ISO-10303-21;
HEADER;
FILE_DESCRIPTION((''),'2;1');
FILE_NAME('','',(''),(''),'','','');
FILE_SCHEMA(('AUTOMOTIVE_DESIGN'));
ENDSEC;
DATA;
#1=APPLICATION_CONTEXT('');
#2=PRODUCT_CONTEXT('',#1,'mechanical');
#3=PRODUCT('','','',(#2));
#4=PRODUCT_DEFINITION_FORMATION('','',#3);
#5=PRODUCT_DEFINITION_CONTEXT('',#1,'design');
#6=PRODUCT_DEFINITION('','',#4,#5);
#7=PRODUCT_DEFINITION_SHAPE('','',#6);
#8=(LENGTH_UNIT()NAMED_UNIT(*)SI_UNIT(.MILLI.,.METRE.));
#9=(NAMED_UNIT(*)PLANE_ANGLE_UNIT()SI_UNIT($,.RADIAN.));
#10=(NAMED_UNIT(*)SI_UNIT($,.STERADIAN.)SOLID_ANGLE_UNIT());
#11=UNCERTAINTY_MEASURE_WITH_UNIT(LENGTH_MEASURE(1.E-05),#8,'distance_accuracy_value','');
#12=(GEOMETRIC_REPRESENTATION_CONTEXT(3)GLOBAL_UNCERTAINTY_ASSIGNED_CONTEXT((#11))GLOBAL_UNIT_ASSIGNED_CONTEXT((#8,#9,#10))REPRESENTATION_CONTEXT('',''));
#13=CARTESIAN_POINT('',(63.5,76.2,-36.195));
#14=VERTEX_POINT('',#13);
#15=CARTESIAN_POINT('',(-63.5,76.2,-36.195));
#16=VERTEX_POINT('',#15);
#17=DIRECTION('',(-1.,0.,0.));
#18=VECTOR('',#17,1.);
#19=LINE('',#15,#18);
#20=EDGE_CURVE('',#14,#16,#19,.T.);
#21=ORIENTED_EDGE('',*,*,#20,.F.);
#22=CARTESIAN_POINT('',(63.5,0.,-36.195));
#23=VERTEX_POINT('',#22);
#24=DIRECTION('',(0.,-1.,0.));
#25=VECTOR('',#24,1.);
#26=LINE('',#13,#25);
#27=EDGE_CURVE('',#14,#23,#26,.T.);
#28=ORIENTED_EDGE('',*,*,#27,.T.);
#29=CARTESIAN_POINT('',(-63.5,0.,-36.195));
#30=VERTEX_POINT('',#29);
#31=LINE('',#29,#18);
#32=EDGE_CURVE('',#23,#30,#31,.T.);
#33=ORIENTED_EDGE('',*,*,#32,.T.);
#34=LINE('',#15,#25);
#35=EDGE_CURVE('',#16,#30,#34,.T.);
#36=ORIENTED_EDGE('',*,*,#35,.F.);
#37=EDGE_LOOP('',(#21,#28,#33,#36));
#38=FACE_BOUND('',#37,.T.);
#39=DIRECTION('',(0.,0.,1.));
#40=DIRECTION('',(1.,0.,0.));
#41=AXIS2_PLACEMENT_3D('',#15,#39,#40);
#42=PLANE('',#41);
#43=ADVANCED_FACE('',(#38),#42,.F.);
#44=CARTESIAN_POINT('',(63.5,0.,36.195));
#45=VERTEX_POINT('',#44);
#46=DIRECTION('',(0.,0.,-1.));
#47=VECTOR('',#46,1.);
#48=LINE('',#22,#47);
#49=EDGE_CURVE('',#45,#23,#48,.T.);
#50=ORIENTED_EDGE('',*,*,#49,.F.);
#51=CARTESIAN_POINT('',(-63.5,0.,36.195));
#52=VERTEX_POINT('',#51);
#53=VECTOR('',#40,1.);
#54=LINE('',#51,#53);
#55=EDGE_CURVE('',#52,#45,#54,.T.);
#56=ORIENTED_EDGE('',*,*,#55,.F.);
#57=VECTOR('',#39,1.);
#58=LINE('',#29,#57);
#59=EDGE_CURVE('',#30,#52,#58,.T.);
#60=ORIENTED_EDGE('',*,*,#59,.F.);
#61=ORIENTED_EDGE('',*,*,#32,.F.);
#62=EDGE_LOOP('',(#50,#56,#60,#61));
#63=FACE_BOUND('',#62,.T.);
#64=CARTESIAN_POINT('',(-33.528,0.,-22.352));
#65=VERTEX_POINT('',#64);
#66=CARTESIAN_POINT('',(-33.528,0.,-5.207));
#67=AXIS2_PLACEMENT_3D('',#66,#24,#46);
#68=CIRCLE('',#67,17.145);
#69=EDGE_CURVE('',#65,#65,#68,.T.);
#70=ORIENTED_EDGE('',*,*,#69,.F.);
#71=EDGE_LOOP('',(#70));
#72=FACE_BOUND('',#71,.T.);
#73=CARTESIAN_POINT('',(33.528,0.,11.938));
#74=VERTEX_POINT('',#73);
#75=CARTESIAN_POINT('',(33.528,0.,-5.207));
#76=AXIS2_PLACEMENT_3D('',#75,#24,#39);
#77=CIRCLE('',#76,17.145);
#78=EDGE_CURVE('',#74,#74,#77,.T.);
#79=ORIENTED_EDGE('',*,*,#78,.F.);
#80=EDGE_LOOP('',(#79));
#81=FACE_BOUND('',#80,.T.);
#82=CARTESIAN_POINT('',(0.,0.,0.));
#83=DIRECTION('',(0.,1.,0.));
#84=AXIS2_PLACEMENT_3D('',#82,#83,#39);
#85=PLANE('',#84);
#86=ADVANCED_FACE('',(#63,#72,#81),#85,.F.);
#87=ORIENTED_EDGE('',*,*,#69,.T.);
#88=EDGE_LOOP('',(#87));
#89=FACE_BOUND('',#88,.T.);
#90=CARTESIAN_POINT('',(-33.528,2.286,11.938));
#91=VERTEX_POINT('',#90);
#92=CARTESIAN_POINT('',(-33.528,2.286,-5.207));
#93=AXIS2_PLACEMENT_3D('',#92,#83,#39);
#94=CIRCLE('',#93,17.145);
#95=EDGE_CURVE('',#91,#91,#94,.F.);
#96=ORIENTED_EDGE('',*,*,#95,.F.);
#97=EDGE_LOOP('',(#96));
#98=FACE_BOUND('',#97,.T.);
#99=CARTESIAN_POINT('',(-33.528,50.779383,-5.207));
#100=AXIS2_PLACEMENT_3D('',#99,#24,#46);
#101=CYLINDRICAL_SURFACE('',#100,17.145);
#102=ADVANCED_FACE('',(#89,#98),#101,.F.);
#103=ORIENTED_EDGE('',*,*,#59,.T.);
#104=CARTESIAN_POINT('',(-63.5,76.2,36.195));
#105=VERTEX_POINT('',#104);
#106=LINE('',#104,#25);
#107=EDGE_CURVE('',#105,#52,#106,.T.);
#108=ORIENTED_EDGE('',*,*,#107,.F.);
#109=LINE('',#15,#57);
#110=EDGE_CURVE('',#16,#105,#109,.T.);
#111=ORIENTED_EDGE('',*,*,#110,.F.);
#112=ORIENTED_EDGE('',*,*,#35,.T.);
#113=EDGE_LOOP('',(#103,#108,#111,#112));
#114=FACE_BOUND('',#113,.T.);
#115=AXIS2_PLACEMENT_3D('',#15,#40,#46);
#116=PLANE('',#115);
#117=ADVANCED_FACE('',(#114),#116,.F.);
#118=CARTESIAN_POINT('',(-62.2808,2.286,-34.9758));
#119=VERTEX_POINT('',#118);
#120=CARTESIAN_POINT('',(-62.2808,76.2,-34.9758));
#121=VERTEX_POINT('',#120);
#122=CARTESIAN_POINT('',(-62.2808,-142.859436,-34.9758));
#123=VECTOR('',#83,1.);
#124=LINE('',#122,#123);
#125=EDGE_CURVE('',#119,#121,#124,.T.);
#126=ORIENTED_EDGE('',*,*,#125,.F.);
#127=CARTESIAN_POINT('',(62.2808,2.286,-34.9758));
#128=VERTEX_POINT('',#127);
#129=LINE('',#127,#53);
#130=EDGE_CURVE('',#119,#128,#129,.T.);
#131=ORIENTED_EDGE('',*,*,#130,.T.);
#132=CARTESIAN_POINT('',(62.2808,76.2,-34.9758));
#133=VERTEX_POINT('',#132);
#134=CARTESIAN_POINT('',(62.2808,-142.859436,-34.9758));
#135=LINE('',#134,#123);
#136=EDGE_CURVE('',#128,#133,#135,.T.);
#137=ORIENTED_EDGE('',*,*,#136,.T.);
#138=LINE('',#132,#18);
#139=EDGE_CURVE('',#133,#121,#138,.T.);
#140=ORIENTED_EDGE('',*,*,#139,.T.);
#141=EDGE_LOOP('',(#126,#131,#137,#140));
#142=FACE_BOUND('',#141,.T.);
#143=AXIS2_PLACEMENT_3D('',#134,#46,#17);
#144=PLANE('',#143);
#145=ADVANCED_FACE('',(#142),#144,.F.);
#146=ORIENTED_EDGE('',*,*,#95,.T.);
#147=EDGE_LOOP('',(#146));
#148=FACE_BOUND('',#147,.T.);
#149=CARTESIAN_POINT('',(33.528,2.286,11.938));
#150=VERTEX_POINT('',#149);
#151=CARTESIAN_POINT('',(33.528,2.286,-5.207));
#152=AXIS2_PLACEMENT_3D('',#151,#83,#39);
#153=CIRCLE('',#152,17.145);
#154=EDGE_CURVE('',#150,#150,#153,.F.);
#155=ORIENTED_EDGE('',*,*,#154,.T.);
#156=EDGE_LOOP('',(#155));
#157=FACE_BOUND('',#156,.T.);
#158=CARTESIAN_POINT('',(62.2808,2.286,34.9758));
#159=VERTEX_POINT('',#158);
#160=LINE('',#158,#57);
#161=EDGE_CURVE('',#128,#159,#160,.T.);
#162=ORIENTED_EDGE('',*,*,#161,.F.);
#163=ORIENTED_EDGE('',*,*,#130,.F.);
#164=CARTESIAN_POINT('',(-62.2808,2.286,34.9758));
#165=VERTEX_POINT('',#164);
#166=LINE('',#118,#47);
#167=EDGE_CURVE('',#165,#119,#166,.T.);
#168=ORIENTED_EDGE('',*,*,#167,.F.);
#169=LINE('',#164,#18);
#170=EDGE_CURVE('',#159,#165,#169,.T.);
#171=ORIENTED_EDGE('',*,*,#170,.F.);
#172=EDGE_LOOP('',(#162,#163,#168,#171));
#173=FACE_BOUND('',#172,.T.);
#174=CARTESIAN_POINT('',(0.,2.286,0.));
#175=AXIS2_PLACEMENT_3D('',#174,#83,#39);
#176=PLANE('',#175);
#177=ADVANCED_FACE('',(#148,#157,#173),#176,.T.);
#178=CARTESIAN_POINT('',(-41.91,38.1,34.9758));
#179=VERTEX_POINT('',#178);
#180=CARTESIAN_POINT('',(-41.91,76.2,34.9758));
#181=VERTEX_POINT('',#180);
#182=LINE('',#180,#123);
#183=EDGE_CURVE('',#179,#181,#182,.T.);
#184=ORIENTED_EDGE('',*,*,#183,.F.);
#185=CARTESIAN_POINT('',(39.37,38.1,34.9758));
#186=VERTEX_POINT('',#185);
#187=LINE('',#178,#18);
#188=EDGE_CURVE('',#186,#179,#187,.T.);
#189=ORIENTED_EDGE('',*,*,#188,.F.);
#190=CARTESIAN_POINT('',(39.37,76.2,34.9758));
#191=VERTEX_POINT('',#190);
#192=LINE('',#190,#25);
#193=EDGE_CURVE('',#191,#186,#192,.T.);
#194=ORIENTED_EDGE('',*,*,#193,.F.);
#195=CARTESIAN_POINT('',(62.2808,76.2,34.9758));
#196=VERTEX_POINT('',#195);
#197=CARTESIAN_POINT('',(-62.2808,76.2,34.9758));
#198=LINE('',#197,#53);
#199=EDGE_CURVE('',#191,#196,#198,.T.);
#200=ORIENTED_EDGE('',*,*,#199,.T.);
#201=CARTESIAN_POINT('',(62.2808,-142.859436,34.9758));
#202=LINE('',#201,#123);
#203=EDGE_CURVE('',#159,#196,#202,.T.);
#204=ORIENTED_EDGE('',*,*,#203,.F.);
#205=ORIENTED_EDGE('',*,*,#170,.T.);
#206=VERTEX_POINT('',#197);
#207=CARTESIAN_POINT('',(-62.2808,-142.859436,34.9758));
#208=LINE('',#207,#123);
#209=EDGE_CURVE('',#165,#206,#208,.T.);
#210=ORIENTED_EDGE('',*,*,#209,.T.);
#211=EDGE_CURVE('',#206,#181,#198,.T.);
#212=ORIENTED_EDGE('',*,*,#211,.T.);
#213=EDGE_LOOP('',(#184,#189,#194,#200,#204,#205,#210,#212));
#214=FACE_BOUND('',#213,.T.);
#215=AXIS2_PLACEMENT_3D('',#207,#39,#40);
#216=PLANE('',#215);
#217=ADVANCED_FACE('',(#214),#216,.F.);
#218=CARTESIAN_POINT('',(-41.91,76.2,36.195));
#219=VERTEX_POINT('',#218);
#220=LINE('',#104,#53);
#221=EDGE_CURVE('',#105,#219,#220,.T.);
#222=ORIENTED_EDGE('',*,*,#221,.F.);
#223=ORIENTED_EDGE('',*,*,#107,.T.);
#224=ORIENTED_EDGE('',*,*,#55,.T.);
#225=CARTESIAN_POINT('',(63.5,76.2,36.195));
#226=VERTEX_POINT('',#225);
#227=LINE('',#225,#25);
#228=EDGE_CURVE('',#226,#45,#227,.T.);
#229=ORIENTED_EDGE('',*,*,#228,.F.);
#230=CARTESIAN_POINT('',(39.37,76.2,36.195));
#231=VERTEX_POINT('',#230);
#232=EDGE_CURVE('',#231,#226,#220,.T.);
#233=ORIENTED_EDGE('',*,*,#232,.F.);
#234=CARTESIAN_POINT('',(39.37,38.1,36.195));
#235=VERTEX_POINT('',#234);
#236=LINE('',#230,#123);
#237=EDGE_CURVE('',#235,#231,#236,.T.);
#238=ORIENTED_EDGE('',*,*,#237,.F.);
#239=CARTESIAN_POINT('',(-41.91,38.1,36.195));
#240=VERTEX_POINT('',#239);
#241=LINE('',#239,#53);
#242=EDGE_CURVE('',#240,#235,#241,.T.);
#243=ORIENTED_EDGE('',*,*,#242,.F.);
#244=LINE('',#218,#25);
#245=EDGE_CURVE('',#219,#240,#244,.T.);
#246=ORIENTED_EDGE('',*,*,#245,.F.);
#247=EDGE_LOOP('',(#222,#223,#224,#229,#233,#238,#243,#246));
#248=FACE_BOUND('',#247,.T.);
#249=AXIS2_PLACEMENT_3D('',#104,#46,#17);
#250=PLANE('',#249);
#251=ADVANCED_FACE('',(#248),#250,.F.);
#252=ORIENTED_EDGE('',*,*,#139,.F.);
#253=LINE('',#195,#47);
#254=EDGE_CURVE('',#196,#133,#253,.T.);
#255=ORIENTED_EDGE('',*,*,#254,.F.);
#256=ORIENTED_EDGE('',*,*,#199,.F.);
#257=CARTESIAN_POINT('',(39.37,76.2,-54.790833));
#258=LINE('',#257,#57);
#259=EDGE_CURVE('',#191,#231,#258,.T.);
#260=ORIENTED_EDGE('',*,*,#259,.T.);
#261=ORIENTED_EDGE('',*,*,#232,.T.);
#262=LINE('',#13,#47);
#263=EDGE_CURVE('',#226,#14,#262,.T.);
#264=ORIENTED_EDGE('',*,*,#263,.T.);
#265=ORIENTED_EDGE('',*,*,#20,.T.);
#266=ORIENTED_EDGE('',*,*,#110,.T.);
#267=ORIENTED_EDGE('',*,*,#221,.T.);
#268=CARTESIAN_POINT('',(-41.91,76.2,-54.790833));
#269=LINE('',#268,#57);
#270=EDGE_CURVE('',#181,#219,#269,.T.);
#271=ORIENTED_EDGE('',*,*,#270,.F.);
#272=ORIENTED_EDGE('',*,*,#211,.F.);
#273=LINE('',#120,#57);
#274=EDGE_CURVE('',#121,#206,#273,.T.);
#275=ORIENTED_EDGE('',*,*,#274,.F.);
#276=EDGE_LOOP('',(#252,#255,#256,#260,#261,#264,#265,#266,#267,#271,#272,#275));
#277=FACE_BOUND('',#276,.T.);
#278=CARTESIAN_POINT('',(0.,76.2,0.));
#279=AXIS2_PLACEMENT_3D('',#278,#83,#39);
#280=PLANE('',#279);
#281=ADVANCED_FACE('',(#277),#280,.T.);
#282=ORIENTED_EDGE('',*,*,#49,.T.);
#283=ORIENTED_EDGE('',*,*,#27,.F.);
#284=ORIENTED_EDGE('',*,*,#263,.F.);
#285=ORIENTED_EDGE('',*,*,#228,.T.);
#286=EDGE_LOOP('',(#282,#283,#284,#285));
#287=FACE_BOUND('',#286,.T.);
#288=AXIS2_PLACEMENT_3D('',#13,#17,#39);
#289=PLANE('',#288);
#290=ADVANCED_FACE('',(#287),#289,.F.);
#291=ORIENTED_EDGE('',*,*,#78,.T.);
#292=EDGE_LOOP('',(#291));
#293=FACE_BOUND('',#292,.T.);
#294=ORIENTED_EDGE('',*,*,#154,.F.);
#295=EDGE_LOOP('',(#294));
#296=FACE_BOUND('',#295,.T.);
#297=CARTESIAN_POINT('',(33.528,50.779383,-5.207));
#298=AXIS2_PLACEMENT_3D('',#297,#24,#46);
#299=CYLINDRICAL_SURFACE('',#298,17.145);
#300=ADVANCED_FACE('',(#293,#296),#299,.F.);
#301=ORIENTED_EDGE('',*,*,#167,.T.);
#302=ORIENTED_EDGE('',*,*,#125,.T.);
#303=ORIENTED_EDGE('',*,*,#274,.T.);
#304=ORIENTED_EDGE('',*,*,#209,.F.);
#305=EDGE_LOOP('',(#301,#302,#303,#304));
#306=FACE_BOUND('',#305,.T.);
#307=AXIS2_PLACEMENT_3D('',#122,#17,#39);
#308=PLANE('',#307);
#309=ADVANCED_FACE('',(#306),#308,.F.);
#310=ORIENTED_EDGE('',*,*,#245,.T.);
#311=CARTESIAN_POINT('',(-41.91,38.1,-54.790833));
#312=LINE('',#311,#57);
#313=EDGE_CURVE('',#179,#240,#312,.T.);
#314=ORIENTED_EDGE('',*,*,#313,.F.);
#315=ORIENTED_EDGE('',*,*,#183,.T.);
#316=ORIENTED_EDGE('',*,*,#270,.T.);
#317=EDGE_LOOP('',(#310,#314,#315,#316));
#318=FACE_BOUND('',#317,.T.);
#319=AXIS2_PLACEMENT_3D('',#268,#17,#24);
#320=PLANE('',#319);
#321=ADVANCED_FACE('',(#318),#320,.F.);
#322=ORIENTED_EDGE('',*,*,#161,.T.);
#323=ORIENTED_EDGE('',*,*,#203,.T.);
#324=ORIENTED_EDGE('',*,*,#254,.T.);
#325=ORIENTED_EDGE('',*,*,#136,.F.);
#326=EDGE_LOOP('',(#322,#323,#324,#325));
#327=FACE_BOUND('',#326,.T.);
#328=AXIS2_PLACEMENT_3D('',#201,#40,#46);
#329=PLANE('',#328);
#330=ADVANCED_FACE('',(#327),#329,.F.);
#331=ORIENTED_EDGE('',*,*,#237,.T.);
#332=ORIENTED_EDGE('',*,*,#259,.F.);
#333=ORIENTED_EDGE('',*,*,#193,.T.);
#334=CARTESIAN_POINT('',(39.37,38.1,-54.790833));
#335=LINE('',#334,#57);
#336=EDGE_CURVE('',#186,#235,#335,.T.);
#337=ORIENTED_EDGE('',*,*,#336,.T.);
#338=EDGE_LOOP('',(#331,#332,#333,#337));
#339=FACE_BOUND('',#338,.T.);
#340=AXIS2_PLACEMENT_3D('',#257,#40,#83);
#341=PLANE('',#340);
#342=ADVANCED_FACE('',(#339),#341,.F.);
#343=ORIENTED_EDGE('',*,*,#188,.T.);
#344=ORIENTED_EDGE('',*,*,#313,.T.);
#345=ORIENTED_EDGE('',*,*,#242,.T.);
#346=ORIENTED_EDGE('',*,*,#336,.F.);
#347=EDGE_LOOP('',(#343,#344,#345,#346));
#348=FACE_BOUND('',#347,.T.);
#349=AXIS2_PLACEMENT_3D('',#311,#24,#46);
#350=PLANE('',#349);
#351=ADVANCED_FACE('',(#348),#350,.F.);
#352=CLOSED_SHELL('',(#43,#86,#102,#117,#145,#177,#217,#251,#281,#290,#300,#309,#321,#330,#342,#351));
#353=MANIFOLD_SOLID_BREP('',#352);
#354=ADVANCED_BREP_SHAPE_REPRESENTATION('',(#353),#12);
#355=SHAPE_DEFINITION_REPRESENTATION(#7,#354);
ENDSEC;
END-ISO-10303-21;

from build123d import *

# Parameters (mm, degrees)
SKETCH1_W           = 127
SKETCH1_H           = 72.39
BOSS_EXTRUDE1_DEPTH = 76.2
SKETCH2_W           = 124.5616
SKETCH2_H           = 69.9516
CUT_EXTRUDE1_DEPTH  = 73.914
SKETCH4_W           = 81.28
SKETCH4_H           = 38.1
CUT_EXTRUDE2_DEPTH  = 1.2192
SKETCH5_R           = 17.145
CUT_EXTRUDE3_DEPTH  = 2.286


with BuildPart() as part:
    # Sketch1 → Boss-Extrude1 (new body)
    with BuildSketch(Plane(origin=(0, 0, 0), x_dir=(1, 0, 0), z_dir=(0, 1, 0))):
        Rectangle(SKETCH1_W, SKETCH1_H)
    extrude(amount=BOSS_EXTRUDE1_DEPTH)

    # Sketch2 → Cut-Extrude1 (cut)
    with BuildSketch(Plane(origin=(0, 76.2, 0), x_dir=(1, 0, 0), z_dir=(0, 1, 0))):
        Rectangle(SKETCH2_W, SKETCH2_H)
    extrude(amount=-CUT_EXTRUDE1_DEPTH, mode=Mode.SUBTRACT)

    # Sketch4 → Cut-Extrude2 (cut)
    with BuildSketch(Plane.XY.offset(36.195)):
        with Locations((-1.27, 57.15)):
            Rectangle(SKETCH4_W, SKETCH4_H)
    extrude(amount=-CUT_EXTRUDE2_DEPTH, mode=Mode.SUBTRACT)

    # Sketch5 → Cut-Extrude3 (cut)
    with BuildSketch(Plane.XZ):
        with Locations((-33.528, -5.207)):
            Circle(SKETCH5_R)
        with Locations((33.528, -5.207)):
            Circle(SKETCH5_R)
    extrude(amount=-CUT_EXTRUDE3_DEPTH, mode=Mode.SUBTRACT)


solid = part.part
